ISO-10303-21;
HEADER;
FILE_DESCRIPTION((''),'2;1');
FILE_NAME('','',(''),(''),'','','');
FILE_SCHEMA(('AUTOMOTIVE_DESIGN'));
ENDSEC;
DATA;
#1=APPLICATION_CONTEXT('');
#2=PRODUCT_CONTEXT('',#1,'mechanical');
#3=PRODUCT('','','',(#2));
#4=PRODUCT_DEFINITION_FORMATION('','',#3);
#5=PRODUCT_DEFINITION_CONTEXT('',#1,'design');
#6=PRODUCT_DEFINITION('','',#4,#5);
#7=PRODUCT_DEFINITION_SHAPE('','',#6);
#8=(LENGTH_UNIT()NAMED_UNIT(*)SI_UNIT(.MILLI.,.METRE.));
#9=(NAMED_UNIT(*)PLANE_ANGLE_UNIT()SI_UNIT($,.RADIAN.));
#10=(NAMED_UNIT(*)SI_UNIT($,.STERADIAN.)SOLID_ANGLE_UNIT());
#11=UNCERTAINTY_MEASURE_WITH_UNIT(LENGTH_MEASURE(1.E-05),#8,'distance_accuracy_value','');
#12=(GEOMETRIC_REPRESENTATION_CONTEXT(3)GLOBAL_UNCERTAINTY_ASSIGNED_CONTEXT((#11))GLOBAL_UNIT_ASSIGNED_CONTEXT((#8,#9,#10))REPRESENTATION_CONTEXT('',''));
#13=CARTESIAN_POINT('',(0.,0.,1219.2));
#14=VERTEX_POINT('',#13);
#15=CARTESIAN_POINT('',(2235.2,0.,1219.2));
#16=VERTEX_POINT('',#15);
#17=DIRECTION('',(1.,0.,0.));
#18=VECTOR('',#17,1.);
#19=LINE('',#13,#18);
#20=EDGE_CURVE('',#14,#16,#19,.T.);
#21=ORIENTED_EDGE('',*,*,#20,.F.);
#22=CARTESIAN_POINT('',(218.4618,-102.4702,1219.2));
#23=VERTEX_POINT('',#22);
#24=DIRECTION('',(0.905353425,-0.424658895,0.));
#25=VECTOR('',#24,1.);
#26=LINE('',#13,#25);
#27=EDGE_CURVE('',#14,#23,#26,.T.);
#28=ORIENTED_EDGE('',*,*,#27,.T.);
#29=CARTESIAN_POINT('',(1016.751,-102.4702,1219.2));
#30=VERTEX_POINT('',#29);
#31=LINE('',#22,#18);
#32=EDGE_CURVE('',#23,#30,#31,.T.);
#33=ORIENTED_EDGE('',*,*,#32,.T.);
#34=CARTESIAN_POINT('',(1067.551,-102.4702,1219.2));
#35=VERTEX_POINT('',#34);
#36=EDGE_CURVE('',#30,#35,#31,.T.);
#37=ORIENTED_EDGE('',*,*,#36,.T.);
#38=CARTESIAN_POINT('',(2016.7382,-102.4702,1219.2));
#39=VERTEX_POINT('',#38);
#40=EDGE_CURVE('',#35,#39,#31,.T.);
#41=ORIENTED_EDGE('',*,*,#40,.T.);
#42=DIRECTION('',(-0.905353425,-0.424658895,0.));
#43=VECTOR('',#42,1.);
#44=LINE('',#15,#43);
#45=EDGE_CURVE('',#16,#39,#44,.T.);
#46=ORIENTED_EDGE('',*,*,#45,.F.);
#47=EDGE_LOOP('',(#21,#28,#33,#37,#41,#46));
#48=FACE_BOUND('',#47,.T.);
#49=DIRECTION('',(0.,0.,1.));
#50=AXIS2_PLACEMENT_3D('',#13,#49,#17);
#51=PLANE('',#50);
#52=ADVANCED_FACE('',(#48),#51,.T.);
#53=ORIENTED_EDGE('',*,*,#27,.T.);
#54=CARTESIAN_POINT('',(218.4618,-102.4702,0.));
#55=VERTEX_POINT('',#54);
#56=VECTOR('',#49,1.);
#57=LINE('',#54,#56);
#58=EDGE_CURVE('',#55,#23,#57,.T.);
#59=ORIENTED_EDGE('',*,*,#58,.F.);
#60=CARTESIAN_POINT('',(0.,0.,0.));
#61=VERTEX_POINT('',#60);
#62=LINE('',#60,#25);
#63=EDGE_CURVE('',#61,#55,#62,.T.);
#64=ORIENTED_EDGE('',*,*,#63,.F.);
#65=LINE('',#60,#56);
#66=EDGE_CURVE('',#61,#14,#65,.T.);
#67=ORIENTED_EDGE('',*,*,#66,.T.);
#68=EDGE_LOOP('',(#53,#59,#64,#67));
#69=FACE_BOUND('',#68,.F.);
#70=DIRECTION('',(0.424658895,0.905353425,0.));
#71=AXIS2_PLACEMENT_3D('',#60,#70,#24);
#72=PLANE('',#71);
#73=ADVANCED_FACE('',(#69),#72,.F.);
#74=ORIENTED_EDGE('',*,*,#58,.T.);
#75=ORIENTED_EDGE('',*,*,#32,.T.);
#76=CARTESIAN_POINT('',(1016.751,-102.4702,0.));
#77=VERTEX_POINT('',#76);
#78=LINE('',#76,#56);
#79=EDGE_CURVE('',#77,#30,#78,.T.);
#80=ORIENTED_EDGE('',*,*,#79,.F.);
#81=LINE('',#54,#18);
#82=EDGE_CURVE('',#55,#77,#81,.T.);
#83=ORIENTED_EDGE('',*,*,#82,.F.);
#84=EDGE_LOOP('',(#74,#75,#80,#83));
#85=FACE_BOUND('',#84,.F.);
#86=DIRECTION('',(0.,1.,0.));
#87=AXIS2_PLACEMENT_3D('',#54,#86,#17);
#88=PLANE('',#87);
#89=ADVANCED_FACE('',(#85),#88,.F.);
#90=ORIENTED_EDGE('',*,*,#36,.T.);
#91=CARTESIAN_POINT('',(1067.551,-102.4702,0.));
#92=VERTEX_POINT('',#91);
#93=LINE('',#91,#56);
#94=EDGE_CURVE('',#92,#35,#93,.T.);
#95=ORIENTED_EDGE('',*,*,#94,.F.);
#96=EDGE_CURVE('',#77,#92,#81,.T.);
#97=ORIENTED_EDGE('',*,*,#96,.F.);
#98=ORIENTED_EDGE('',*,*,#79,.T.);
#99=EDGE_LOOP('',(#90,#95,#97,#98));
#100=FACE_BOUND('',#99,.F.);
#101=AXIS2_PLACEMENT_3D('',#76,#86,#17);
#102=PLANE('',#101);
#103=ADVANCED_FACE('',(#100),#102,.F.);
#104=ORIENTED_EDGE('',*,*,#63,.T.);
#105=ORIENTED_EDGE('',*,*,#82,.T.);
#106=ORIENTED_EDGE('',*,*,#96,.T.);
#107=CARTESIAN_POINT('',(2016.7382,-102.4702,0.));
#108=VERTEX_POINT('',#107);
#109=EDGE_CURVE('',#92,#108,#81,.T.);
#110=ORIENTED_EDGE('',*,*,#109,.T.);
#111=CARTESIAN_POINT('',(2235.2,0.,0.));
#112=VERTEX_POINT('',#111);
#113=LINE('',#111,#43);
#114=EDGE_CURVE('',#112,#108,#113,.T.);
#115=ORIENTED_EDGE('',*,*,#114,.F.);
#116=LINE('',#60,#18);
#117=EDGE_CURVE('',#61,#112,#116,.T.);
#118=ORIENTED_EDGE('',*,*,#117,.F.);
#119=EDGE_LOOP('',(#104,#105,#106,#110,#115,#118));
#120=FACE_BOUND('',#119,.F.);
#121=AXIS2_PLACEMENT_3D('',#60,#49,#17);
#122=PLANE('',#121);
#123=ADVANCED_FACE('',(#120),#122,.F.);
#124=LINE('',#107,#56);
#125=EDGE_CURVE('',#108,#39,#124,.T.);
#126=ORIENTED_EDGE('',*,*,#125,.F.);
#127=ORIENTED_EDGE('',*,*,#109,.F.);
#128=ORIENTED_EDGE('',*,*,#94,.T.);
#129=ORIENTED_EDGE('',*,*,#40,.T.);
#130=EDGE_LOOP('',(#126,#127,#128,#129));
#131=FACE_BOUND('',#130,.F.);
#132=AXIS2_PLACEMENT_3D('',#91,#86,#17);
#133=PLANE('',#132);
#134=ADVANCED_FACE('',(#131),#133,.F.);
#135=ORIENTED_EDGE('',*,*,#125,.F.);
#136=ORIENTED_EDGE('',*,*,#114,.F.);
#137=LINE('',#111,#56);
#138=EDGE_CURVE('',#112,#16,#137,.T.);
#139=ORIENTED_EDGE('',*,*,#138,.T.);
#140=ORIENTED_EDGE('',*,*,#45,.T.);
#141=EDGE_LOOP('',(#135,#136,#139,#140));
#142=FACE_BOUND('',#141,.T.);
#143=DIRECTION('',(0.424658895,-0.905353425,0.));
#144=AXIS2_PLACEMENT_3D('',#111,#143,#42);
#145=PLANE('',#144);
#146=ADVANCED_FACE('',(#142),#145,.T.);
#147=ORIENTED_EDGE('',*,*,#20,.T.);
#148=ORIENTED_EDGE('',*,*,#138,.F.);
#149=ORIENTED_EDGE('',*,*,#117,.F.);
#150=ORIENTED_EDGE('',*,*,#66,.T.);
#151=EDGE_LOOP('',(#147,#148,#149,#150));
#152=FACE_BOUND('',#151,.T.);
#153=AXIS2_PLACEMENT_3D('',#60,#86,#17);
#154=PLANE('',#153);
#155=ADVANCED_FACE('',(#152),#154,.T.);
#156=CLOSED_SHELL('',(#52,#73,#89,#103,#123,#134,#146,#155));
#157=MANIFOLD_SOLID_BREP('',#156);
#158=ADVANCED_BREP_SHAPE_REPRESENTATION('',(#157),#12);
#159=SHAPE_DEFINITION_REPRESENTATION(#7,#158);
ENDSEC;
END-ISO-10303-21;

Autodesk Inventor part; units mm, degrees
ref_plane "YZ Plane" through (0, 0, 0) normal (1, 0, 0) x (0, 1, 0)
ref_plane "XZ Plane" through (0, 0, 0) normal (0, 1, 0) x (-1, 0, 0)
ref_plane "XY Plane" through (0, 0, 0) normal (0, 0, 1) x (1, 0, 0)
sketch "Sketch1" plane through (0, 0, 0) normal (0, 0, 1) x (1, 0, 0)
  line L0 (0, 0) -> (2235.2, 0)
  line L1 (0, 0) -> (218.4618, -102.4702)
  line L2 (2235.2, 0) -> (2016.7382, -102.4702)
  line L3 (218.4618, -102.4702) -> (2016.7382, -102.4702)
  line L4 (1016.751, -102.4702) -> (1016.751, -305.6702)
  line L5 (1016.751, -305.6702) -> (1067.551, -305.6702)
  line L6 (1067.551, -305.6702) -> (1067.551, -102.4702)
  dimension "d1" = 2235.2
  dimension "d2" = 241.3
  dimension "d3" = 241.3
  dimension "d7" = 203.2
  dimension "d8" = 50.8
extrude "Extrusion1" add sketch "Sketch1" along normal blind 1219.2 contours L0 L2 L3 L1
properties part number "Bridge"
